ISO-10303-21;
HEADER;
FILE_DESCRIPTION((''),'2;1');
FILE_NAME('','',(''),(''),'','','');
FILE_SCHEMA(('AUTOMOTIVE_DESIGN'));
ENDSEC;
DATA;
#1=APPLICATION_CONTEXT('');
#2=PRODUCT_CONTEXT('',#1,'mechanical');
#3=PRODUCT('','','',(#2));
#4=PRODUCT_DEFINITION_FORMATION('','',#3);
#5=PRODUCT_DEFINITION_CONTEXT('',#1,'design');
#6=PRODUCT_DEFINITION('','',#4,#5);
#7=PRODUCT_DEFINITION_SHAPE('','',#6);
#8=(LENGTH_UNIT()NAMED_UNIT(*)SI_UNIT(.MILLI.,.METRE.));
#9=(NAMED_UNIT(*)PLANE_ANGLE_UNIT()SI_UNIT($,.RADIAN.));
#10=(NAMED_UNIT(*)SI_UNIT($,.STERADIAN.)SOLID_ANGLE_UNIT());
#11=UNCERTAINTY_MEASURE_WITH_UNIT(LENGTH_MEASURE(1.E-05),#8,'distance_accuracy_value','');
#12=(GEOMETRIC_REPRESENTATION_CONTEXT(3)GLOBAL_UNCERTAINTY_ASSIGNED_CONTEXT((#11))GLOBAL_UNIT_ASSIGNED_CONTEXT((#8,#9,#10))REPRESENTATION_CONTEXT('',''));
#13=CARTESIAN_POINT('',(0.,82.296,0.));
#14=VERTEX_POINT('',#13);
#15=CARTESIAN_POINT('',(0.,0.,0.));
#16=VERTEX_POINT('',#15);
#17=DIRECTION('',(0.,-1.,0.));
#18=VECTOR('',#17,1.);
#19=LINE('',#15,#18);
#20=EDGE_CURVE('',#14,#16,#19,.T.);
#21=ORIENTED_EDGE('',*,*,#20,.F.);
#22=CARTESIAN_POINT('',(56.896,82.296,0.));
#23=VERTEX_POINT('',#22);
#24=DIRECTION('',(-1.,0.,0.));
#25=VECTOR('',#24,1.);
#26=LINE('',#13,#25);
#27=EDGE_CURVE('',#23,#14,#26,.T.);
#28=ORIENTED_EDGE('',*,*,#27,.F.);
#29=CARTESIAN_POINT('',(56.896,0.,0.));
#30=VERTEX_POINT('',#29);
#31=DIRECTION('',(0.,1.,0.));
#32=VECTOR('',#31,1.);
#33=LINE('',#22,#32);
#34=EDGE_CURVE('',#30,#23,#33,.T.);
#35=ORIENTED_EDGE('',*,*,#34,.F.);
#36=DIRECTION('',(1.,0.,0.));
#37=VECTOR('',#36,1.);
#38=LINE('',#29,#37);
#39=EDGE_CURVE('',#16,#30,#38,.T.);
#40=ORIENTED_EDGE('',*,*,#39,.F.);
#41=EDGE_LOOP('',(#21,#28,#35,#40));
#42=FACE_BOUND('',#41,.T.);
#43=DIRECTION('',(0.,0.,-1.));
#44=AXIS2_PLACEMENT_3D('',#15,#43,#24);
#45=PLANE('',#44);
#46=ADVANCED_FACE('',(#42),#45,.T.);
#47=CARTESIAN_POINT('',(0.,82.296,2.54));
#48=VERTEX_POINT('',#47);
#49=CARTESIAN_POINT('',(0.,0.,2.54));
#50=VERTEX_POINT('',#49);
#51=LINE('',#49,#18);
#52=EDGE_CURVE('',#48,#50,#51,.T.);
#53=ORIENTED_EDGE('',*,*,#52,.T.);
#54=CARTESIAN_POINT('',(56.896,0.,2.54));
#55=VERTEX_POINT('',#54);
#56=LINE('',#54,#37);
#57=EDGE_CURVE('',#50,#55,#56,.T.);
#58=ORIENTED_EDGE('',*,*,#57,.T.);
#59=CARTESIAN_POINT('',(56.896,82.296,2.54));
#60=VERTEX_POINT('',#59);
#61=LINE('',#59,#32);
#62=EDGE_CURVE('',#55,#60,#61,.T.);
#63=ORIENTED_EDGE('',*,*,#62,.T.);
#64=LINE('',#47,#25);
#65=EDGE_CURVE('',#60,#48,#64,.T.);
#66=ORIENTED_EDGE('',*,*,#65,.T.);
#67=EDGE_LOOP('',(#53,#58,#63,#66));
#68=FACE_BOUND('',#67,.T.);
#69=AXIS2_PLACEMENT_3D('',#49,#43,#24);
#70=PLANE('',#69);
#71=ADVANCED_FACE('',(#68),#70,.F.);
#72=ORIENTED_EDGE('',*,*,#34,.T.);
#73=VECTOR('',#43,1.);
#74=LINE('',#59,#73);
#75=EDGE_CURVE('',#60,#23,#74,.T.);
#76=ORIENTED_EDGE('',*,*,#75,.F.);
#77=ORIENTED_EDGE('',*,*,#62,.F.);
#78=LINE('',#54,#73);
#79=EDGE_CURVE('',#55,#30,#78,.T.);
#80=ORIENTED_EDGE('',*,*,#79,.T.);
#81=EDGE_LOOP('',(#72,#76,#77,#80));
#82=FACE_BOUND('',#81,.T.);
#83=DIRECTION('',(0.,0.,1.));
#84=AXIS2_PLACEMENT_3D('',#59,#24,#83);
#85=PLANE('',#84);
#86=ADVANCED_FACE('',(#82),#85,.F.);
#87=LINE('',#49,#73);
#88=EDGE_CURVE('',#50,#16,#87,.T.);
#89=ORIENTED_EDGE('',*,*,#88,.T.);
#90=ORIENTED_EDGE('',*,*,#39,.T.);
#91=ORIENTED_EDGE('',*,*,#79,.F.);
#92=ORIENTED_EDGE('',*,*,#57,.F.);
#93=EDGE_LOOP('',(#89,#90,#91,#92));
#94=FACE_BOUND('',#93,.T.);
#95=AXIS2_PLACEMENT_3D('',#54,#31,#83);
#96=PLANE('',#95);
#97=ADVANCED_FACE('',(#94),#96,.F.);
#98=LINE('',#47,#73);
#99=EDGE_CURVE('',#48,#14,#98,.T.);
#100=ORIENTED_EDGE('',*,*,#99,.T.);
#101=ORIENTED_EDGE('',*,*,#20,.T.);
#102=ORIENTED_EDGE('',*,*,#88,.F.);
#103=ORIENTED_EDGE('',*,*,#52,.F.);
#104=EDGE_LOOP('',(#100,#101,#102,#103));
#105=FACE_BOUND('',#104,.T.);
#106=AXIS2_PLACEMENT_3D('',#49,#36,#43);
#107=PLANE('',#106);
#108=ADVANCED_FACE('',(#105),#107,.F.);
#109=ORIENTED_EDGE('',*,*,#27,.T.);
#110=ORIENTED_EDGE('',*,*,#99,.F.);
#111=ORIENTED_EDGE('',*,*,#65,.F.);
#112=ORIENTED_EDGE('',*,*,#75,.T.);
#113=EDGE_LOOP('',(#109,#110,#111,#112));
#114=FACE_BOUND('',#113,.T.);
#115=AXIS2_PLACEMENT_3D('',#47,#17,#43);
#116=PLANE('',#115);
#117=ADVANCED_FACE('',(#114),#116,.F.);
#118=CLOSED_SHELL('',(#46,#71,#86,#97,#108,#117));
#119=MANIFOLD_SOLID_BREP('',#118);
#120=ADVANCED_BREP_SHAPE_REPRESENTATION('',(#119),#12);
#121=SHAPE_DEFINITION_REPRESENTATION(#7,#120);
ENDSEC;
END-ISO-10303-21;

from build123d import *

# Parameters (mm, degrees)
SKETCH1_W           = 56.896
SKETCH1_H           = 82.296
BOSS_EXTRUDE1_DEPTH = 2.54


with BuildPart() as part:
    # Sketch1 → Boss-Extrude1 (new body)
    with BuildSketch(Plane.XY):
        with Locations((28.448, 41.148)):
            Rectangle(SKETCH1_W, SKETCH1_H)
    extrude(amount=BOSS_EXTRUDE1_DEPTH)


solid = part.part
